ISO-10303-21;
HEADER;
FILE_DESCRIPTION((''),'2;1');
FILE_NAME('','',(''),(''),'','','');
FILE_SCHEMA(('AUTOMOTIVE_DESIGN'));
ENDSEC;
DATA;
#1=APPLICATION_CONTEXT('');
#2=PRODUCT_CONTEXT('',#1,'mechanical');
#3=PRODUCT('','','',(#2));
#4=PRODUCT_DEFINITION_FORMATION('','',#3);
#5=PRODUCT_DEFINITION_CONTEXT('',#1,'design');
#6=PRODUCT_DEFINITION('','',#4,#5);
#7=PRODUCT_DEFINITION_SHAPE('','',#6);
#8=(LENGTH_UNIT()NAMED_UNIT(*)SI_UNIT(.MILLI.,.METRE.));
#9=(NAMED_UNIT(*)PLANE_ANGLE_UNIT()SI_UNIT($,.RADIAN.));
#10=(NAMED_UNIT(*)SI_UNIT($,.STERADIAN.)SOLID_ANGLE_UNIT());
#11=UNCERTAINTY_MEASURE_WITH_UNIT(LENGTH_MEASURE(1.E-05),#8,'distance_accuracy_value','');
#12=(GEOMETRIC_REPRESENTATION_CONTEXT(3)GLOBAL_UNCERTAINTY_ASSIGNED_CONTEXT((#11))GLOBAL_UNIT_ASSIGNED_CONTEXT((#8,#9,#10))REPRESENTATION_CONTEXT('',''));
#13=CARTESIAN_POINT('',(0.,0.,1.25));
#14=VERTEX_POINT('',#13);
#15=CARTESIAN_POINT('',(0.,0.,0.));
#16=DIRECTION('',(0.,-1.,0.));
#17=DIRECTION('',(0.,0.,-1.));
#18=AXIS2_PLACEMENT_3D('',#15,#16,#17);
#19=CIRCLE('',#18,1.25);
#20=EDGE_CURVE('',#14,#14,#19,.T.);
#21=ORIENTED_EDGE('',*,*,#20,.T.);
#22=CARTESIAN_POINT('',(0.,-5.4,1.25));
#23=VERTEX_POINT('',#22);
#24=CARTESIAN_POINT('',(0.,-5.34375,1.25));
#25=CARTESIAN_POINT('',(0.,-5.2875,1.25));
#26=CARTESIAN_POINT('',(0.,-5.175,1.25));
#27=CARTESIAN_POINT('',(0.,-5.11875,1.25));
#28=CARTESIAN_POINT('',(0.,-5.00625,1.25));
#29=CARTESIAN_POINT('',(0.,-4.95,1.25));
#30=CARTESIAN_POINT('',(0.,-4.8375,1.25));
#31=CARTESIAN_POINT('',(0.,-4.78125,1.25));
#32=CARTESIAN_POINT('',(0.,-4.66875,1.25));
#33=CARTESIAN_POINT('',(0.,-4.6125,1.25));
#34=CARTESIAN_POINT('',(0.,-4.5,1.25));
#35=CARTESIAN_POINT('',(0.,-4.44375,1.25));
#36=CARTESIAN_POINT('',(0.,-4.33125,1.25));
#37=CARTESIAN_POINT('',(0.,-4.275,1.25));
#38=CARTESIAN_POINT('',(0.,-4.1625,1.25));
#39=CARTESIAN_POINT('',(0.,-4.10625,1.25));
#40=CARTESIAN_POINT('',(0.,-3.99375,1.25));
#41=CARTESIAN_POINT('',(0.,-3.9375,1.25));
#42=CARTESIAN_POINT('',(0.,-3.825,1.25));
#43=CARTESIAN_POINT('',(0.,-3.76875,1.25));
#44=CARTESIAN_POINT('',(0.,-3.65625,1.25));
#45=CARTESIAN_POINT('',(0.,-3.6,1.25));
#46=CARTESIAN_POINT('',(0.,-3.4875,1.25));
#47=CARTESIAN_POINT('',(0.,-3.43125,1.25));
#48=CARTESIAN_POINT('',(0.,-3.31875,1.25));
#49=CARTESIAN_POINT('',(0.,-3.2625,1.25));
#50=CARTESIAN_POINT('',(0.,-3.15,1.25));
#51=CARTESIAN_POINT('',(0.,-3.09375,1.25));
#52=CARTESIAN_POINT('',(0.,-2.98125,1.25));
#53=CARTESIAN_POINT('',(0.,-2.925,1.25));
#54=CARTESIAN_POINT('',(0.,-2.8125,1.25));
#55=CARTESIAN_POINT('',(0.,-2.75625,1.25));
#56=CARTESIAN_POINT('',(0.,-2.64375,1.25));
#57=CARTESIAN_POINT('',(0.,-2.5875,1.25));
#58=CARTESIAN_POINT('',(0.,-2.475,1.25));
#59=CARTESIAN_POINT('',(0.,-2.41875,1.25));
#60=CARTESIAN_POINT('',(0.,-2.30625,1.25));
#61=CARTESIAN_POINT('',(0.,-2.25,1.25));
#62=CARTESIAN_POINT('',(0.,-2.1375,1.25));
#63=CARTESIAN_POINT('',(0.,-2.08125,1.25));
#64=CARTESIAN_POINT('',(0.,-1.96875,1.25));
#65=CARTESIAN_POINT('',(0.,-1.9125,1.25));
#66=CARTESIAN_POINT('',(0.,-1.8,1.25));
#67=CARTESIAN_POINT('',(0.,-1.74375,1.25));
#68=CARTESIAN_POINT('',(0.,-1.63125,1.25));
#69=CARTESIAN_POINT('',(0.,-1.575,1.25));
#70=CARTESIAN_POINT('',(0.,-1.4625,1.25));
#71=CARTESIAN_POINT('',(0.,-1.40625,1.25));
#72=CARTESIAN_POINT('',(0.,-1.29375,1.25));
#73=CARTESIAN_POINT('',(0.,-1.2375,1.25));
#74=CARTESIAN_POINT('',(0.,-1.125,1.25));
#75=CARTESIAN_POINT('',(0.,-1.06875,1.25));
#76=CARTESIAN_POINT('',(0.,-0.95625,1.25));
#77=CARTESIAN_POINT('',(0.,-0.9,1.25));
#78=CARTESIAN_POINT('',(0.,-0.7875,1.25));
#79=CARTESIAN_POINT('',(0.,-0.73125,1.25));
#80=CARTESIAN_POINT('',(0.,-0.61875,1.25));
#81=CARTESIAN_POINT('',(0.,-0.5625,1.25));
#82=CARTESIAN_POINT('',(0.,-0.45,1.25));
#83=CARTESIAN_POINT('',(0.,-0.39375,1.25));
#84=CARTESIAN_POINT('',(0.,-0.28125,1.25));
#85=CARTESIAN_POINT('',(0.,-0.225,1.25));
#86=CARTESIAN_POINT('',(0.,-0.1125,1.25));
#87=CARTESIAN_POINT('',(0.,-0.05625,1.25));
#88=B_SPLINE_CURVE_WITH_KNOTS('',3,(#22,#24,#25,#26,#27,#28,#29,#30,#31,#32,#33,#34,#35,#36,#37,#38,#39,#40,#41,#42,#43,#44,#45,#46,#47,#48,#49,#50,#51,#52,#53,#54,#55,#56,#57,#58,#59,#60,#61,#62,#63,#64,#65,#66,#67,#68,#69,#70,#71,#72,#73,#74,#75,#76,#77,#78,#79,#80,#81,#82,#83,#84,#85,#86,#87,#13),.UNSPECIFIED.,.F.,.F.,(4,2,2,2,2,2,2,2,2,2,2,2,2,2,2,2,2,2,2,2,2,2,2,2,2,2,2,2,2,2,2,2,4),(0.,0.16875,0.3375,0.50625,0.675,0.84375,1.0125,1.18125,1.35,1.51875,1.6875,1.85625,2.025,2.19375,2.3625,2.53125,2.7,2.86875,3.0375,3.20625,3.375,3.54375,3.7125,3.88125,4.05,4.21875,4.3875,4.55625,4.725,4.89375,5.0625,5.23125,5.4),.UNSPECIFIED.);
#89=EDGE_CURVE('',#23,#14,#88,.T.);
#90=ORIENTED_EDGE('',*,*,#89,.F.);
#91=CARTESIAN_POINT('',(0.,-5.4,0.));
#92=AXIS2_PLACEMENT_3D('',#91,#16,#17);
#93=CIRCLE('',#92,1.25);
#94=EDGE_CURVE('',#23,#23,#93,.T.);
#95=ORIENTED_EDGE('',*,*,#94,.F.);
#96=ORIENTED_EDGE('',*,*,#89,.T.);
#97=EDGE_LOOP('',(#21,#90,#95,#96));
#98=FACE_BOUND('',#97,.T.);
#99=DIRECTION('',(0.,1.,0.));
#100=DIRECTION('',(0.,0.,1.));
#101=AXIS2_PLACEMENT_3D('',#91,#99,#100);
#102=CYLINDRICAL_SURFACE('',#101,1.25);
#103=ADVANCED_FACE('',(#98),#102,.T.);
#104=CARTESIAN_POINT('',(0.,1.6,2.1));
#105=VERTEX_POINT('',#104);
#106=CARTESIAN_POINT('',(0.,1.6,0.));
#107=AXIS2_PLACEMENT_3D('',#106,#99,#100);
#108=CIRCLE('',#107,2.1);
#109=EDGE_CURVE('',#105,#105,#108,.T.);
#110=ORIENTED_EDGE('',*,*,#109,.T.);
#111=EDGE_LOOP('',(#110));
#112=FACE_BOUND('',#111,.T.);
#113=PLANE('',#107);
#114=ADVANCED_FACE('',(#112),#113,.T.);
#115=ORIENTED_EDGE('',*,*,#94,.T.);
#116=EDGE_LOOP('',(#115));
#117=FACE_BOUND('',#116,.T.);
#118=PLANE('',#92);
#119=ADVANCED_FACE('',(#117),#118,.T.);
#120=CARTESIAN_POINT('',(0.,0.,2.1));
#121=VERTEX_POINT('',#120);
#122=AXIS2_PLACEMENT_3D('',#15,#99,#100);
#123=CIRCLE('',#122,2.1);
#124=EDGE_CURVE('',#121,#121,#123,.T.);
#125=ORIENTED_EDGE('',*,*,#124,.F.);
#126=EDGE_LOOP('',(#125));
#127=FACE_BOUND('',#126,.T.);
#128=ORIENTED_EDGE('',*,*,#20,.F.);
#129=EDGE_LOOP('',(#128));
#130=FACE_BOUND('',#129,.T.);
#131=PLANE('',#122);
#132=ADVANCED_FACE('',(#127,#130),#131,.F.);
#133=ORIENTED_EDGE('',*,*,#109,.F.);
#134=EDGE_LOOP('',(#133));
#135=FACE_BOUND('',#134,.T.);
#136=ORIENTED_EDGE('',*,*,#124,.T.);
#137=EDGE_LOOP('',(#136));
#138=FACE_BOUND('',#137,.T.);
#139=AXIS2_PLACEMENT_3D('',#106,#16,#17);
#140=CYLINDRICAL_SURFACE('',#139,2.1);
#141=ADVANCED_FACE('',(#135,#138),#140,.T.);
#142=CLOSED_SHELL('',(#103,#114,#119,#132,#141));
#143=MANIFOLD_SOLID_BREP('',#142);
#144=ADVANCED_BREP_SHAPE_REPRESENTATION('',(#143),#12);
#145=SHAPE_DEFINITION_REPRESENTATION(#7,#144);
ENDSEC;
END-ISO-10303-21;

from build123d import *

# Parameters (mm, degrees)
ESQUISSE1_R        = 2.1
BOSS_EXTRU_1_DEPTH = 1.6
ESQUISSE2_R        = 1.25
BOSS_EXTRU_2_DEPTH = 5.4


with BuildPart() as part:
    # Esquisse1 → Boss.-Extru.1 (new body)
    with BuildSketch(Plane(origin=(0, 0, 0), x_dir=(1, 0, 0), z_dir=(0, 1, 0))):
        with Locations(Location((0, 0, 0), (0, 0, 270))):
            Circle(ESQUISSE1_R)
    extrude(amount=BOSS_EXTRU_1_DEPTH)

    # Esquisse2 → Boss.-Extru.2 (add)
    with BuildSketch(Plane.XZ):
        with Locations(Location((0, 0, 0), (0, 0, 90))):
            Circle(ESQUISSE2_R)
    extrude(amount=BOSS_EXTRU_2_DEPTH)


solid = part.part
